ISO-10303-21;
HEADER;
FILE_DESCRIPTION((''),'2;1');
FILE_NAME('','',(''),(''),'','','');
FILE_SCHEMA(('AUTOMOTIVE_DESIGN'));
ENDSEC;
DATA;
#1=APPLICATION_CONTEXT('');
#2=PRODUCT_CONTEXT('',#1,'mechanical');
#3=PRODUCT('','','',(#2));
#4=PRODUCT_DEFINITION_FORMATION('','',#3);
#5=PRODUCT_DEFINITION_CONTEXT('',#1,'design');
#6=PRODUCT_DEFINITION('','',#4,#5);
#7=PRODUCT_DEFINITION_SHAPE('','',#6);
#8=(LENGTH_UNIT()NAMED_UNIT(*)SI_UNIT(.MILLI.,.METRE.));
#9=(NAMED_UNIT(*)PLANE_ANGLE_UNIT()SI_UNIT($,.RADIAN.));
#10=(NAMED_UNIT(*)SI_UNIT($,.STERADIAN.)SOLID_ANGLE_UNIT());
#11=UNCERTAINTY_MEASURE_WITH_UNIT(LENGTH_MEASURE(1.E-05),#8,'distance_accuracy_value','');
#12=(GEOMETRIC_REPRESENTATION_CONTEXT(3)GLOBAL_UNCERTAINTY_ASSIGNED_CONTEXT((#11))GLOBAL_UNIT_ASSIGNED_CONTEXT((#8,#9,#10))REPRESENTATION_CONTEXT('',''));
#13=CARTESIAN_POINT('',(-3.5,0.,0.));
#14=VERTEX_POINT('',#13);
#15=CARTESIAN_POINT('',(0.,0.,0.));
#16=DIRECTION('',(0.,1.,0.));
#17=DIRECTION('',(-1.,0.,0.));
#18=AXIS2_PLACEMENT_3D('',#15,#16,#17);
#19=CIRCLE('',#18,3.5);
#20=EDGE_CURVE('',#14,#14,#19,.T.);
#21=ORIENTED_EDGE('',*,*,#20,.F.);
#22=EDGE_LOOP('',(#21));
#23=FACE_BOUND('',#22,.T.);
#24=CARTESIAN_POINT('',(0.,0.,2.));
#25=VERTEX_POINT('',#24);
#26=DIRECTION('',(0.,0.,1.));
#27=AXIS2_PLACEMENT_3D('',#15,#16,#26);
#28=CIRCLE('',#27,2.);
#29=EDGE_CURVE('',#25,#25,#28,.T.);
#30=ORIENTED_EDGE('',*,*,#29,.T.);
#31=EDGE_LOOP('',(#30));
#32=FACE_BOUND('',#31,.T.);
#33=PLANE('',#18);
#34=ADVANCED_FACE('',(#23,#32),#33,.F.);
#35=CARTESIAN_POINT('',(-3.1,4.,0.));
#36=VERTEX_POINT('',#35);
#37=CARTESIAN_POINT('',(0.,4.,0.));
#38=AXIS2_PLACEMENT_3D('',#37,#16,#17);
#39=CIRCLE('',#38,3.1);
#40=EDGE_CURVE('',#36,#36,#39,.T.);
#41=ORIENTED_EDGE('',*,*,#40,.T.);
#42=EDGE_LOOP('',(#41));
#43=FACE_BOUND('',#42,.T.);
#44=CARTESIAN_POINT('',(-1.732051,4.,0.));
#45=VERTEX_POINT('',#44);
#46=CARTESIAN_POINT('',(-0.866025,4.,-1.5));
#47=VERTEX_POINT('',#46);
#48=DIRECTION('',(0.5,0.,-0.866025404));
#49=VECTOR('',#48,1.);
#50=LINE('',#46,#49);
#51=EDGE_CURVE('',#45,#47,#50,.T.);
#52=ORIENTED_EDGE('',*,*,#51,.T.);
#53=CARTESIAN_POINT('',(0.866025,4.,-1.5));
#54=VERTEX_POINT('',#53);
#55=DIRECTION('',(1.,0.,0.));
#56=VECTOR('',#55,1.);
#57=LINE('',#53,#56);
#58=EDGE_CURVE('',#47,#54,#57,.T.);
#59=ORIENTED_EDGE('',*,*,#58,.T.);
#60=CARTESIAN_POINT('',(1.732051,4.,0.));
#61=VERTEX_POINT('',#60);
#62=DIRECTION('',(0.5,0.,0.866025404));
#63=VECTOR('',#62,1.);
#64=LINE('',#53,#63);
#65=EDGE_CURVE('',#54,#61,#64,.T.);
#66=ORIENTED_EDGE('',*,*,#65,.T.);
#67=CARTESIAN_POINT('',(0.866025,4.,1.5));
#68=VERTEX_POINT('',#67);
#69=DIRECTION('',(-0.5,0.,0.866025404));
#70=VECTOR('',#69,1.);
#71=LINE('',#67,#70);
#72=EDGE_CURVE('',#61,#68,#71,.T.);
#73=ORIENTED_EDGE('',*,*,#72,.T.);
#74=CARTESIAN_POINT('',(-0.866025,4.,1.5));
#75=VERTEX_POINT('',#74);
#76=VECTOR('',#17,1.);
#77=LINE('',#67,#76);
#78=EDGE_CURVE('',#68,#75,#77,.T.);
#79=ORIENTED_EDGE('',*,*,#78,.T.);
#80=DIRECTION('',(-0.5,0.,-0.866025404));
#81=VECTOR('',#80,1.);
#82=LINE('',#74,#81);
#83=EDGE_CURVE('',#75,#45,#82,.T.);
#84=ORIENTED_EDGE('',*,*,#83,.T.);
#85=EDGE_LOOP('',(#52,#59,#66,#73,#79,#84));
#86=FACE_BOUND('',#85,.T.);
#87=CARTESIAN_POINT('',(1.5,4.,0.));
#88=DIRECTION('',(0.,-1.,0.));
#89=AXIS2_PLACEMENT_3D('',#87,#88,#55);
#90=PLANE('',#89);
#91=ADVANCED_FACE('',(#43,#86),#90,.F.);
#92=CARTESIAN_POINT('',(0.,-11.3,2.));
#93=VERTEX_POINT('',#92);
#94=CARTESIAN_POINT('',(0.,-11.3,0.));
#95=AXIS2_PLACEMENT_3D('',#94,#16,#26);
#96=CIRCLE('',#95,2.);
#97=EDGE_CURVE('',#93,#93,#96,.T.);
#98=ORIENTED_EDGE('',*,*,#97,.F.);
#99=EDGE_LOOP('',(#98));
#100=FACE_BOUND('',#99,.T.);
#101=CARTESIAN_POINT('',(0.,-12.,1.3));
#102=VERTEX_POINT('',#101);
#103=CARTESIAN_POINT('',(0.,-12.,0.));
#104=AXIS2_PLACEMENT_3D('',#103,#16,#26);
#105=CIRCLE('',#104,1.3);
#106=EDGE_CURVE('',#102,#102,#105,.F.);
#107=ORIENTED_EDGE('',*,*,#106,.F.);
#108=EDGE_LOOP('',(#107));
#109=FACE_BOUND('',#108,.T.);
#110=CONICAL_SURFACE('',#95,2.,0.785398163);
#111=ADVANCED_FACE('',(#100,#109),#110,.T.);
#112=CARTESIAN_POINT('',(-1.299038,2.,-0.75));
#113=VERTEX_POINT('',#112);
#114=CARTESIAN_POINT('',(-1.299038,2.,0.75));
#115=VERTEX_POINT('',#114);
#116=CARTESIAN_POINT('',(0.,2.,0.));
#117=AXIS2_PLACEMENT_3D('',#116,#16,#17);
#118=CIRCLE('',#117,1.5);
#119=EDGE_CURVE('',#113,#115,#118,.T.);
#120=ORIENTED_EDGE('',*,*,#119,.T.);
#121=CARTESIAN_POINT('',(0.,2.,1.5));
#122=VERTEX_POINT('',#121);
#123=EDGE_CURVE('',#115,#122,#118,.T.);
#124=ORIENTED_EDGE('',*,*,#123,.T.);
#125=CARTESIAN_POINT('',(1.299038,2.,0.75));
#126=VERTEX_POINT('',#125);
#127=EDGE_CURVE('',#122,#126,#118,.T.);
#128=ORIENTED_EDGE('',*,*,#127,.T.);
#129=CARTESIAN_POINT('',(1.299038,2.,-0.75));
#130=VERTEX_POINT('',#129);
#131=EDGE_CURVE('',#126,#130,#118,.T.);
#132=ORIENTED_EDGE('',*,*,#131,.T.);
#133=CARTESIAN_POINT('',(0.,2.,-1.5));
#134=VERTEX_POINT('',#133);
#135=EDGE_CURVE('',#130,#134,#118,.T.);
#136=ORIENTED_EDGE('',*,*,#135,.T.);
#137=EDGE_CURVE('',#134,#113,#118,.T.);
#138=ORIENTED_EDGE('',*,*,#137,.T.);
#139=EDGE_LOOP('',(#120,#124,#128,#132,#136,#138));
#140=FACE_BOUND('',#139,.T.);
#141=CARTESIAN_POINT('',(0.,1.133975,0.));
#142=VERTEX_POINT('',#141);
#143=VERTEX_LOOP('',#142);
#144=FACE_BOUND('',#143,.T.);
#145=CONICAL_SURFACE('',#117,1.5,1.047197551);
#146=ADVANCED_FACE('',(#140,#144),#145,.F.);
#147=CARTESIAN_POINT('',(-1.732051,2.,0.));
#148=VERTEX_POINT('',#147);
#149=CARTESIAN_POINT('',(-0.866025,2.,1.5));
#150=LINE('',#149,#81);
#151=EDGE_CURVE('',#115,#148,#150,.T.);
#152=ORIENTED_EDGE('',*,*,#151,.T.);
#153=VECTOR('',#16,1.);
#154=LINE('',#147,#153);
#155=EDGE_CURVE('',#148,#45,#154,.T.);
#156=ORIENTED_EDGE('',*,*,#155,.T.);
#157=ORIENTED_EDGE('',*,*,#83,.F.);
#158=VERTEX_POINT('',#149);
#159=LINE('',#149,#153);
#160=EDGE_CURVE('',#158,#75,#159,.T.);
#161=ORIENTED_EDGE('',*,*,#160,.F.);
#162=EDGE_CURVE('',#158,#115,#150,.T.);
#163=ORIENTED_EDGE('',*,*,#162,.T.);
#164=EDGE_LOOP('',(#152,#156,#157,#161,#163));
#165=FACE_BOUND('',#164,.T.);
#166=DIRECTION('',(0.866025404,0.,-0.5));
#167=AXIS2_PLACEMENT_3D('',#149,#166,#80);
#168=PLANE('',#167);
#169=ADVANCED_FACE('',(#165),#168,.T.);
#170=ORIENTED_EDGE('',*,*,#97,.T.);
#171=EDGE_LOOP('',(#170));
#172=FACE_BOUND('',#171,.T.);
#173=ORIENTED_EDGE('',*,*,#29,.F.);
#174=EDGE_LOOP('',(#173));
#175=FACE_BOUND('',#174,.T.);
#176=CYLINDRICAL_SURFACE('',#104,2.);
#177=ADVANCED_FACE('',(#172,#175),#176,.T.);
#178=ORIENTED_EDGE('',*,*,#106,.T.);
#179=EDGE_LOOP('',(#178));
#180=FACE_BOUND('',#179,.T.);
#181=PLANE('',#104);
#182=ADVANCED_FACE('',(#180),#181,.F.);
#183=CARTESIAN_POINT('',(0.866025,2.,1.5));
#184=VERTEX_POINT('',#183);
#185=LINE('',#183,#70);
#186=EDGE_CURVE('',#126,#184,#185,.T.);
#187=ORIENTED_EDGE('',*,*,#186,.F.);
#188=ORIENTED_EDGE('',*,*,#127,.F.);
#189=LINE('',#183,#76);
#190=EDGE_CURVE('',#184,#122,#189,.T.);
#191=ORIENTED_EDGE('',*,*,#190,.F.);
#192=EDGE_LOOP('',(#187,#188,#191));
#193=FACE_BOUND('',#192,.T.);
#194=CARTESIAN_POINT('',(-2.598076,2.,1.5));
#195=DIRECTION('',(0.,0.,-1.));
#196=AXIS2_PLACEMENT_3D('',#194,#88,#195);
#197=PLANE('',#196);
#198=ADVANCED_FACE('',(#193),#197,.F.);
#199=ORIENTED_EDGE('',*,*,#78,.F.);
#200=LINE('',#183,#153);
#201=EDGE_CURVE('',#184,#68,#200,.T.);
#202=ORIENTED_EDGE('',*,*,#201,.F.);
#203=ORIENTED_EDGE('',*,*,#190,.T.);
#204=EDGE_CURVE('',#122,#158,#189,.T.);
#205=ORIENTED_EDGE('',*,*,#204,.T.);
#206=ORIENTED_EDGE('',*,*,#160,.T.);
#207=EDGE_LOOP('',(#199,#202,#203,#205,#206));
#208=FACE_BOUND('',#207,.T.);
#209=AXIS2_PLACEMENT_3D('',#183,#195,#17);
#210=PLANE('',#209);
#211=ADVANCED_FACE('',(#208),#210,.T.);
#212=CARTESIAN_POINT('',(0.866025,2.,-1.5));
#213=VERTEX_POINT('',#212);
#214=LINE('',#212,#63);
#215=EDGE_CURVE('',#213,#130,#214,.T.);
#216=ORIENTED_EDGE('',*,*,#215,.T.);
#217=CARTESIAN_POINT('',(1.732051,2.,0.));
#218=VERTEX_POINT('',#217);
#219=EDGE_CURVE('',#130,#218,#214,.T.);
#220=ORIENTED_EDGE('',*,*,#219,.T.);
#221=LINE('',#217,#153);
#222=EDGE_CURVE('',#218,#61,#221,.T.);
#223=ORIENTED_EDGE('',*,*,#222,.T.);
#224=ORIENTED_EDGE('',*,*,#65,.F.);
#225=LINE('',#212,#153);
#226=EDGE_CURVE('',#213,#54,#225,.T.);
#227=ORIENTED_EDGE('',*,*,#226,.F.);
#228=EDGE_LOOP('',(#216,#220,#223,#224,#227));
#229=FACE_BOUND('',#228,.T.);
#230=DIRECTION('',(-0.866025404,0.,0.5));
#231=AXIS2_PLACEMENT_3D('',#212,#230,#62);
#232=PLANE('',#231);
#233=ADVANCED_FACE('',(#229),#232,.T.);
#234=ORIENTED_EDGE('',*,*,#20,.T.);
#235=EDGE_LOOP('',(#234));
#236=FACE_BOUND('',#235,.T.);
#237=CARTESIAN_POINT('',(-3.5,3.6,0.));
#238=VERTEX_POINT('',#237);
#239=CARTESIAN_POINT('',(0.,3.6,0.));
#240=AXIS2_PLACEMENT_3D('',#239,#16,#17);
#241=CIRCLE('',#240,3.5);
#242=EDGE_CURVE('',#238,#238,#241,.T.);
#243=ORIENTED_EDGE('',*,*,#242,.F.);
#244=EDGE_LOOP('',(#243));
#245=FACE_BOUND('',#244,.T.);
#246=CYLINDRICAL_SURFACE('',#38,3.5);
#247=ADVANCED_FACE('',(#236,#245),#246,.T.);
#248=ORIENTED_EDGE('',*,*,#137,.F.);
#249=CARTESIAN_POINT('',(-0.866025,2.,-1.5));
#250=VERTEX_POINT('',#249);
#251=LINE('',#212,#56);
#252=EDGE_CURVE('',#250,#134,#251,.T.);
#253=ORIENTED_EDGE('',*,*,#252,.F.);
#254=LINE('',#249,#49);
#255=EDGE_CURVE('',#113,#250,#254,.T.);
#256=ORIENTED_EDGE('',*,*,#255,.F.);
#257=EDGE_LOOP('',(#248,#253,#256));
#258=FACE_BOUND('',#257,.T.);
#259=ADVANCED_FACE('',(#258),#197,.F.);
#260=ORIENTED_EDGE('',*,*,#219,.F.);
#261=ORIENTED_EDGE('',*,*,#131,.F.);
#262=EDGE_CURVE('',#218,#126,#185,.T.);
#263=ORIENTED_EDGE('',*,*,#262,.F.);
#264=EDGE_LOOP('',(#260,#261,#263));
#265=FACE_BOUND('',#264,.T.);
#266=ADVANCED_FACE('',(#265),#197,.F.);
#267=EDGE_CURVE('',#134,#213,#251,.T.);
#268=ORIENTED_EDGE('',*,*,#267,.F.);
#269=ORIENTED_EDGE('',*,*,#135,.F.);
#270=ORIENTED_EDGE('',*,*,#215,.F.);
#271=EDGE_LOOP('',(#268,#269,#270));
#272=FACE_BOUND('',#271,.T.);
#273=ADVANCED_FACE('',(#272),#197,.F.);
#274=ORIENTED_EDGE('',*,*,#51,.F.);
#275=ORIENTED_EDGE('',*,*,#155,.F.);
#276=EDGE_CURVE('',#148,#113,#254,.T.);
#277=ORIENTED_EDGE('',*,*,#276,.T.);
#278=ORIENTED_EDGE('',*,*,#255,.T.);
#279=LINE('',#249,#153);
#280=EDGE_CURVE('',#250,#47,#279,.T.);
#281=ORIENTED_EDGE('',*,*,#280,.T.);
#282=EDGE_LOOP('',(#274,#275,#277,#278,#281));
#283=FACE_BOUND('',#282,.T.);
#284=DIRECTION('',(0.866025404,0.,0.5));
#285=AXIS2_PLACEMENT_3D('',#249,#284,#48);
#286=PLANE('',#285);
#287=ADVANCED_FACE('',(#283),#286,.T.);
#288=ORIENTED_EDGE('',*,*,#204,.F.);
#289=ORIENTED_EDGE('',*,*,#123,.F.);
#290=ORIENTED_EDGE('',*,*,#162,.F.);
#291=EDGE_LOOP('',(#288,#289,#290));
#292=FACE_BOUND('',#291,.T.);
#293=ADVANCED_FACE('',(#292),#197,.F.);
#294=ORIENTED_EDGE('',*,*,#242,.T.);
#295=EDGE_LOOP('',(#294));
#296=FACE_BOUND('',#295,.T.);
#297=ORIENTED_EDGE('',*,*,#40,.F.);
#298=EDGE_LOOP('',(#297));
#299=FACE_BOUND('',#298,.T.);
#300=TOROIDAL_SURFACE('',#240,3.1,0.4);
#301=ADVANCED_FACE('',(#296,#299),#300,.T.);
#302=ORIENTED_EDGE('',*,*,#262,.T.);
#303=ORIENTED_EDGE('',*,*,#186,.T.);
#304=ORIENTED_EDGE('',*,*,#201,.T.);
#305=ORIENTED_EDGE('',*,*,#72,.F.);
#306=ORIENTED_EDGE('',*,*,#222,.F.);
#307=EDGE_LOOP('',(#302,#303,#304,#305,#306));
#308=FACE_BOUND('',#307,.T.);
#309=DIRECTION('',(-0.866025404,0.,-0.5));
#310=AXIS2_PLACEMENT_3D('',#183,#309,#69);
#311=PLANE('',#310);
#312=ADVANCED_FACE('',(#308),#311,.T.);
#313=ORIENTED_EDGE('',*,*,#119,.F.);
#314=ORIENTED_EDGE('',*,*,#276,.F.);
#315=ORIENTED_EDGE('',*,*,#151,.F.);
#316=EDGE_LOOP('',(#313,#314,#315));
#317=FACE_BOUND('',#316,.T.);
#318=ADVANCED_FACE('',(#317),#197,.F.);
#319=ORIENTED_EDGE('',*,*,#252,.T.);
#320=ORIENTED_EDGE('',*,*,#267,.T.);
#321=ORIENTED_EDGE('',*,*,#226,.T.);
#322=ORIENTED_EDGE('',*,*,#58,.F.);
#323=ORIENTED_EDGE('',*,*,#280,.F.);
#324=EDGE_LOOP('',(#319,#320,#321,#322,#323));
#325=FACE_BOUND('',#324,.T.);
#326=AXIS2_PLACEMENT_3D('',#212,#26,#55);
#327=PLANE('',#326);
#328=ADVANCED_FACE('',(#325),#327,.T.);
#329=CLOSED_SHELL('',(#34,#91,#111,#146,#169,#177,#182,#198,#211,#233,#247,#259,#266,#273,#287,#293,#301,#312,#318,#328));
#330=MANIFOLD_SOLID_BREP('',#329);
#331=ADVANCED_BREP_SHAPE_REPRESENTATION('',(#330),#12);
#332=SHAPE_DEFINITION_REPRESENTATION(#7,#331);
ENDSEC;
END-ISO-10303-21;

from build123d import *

# Parameters (mm, degrees)
TIGE_START              = -12
ESQUISSE1_R             = 2
TIGE_DEPTH              = 12
CHANFREIN_D_ENTR_E_SIZE = 0.7
HEXAGONE_DEPTH          = 2


with BuildPart() as part:
    # Esquisse1 → Tige (new body)
    with BuildSketch(Plane(origin=(0, 0, 0), x_dir=(1, 0, 0), z_dir=(0, 1, 0)).offset(TIGE_START)):
        with Locations(Location((0, 0, 0), (0, 0, 270))):
            Circle(ESQUISSE1_R)
    extrude(amount=TIGE_DEPTH)

    # Chanfrein d'entrée
    chanfrein_d_entr_e_edges = [part.edges().sort_by_distance(p)[0] for p in [
        (0, -12, -2),
    ]]
    chamfer(chanfrein_d_entr_e_edges, length=CHANFREIN_D_ENTR_E_SIZE)

    # Esquisse2 → Tête (revolve)
    with BuildSketch(Plane.XY, mode=Mode.PRIVATE) as t_te_sk:
        with BuildLine():
            Line((1.5, 4), (1.5, 2))
            Line((1.5, 2), (0, 1.133974596))
            Line((0, 1.133974596), (0, 0))
            Line((0, 0), (3.5, 0))
            Line((3.5, 0), (3.5, 3.6))
            ThreePointArc((3.5, 3.6), (3.382842712, 3.882842712), (3.1, 4))
            Line((3.1, 4), (1.5, 4))
        make_face()
    revolve(t_te_sk.sketch.rotate(Axis((0, 4, 0), (0, -1, 0)), 180), axis=Axis((0, 4, 0), (0, -1, 0)))

    # Esquisse3 → Hexagone (cut)
    with BuildSketch(Plane(origin=(0, 4, -3), x_dir=(1, 0, 0), z_dir=(0, -1, 0))):
        Polygon((0.866025404, 4.5), (-0.866025404, 4.5), (-1.732050808, 3), (-0.866025404, 1.5), (0.866025404, 1.5), (1.732050808, 3), align=None)
    extrude(amount=HEXAGONE_DEPTH, mode=Mode.SUBTRACT)


solid = part.part
